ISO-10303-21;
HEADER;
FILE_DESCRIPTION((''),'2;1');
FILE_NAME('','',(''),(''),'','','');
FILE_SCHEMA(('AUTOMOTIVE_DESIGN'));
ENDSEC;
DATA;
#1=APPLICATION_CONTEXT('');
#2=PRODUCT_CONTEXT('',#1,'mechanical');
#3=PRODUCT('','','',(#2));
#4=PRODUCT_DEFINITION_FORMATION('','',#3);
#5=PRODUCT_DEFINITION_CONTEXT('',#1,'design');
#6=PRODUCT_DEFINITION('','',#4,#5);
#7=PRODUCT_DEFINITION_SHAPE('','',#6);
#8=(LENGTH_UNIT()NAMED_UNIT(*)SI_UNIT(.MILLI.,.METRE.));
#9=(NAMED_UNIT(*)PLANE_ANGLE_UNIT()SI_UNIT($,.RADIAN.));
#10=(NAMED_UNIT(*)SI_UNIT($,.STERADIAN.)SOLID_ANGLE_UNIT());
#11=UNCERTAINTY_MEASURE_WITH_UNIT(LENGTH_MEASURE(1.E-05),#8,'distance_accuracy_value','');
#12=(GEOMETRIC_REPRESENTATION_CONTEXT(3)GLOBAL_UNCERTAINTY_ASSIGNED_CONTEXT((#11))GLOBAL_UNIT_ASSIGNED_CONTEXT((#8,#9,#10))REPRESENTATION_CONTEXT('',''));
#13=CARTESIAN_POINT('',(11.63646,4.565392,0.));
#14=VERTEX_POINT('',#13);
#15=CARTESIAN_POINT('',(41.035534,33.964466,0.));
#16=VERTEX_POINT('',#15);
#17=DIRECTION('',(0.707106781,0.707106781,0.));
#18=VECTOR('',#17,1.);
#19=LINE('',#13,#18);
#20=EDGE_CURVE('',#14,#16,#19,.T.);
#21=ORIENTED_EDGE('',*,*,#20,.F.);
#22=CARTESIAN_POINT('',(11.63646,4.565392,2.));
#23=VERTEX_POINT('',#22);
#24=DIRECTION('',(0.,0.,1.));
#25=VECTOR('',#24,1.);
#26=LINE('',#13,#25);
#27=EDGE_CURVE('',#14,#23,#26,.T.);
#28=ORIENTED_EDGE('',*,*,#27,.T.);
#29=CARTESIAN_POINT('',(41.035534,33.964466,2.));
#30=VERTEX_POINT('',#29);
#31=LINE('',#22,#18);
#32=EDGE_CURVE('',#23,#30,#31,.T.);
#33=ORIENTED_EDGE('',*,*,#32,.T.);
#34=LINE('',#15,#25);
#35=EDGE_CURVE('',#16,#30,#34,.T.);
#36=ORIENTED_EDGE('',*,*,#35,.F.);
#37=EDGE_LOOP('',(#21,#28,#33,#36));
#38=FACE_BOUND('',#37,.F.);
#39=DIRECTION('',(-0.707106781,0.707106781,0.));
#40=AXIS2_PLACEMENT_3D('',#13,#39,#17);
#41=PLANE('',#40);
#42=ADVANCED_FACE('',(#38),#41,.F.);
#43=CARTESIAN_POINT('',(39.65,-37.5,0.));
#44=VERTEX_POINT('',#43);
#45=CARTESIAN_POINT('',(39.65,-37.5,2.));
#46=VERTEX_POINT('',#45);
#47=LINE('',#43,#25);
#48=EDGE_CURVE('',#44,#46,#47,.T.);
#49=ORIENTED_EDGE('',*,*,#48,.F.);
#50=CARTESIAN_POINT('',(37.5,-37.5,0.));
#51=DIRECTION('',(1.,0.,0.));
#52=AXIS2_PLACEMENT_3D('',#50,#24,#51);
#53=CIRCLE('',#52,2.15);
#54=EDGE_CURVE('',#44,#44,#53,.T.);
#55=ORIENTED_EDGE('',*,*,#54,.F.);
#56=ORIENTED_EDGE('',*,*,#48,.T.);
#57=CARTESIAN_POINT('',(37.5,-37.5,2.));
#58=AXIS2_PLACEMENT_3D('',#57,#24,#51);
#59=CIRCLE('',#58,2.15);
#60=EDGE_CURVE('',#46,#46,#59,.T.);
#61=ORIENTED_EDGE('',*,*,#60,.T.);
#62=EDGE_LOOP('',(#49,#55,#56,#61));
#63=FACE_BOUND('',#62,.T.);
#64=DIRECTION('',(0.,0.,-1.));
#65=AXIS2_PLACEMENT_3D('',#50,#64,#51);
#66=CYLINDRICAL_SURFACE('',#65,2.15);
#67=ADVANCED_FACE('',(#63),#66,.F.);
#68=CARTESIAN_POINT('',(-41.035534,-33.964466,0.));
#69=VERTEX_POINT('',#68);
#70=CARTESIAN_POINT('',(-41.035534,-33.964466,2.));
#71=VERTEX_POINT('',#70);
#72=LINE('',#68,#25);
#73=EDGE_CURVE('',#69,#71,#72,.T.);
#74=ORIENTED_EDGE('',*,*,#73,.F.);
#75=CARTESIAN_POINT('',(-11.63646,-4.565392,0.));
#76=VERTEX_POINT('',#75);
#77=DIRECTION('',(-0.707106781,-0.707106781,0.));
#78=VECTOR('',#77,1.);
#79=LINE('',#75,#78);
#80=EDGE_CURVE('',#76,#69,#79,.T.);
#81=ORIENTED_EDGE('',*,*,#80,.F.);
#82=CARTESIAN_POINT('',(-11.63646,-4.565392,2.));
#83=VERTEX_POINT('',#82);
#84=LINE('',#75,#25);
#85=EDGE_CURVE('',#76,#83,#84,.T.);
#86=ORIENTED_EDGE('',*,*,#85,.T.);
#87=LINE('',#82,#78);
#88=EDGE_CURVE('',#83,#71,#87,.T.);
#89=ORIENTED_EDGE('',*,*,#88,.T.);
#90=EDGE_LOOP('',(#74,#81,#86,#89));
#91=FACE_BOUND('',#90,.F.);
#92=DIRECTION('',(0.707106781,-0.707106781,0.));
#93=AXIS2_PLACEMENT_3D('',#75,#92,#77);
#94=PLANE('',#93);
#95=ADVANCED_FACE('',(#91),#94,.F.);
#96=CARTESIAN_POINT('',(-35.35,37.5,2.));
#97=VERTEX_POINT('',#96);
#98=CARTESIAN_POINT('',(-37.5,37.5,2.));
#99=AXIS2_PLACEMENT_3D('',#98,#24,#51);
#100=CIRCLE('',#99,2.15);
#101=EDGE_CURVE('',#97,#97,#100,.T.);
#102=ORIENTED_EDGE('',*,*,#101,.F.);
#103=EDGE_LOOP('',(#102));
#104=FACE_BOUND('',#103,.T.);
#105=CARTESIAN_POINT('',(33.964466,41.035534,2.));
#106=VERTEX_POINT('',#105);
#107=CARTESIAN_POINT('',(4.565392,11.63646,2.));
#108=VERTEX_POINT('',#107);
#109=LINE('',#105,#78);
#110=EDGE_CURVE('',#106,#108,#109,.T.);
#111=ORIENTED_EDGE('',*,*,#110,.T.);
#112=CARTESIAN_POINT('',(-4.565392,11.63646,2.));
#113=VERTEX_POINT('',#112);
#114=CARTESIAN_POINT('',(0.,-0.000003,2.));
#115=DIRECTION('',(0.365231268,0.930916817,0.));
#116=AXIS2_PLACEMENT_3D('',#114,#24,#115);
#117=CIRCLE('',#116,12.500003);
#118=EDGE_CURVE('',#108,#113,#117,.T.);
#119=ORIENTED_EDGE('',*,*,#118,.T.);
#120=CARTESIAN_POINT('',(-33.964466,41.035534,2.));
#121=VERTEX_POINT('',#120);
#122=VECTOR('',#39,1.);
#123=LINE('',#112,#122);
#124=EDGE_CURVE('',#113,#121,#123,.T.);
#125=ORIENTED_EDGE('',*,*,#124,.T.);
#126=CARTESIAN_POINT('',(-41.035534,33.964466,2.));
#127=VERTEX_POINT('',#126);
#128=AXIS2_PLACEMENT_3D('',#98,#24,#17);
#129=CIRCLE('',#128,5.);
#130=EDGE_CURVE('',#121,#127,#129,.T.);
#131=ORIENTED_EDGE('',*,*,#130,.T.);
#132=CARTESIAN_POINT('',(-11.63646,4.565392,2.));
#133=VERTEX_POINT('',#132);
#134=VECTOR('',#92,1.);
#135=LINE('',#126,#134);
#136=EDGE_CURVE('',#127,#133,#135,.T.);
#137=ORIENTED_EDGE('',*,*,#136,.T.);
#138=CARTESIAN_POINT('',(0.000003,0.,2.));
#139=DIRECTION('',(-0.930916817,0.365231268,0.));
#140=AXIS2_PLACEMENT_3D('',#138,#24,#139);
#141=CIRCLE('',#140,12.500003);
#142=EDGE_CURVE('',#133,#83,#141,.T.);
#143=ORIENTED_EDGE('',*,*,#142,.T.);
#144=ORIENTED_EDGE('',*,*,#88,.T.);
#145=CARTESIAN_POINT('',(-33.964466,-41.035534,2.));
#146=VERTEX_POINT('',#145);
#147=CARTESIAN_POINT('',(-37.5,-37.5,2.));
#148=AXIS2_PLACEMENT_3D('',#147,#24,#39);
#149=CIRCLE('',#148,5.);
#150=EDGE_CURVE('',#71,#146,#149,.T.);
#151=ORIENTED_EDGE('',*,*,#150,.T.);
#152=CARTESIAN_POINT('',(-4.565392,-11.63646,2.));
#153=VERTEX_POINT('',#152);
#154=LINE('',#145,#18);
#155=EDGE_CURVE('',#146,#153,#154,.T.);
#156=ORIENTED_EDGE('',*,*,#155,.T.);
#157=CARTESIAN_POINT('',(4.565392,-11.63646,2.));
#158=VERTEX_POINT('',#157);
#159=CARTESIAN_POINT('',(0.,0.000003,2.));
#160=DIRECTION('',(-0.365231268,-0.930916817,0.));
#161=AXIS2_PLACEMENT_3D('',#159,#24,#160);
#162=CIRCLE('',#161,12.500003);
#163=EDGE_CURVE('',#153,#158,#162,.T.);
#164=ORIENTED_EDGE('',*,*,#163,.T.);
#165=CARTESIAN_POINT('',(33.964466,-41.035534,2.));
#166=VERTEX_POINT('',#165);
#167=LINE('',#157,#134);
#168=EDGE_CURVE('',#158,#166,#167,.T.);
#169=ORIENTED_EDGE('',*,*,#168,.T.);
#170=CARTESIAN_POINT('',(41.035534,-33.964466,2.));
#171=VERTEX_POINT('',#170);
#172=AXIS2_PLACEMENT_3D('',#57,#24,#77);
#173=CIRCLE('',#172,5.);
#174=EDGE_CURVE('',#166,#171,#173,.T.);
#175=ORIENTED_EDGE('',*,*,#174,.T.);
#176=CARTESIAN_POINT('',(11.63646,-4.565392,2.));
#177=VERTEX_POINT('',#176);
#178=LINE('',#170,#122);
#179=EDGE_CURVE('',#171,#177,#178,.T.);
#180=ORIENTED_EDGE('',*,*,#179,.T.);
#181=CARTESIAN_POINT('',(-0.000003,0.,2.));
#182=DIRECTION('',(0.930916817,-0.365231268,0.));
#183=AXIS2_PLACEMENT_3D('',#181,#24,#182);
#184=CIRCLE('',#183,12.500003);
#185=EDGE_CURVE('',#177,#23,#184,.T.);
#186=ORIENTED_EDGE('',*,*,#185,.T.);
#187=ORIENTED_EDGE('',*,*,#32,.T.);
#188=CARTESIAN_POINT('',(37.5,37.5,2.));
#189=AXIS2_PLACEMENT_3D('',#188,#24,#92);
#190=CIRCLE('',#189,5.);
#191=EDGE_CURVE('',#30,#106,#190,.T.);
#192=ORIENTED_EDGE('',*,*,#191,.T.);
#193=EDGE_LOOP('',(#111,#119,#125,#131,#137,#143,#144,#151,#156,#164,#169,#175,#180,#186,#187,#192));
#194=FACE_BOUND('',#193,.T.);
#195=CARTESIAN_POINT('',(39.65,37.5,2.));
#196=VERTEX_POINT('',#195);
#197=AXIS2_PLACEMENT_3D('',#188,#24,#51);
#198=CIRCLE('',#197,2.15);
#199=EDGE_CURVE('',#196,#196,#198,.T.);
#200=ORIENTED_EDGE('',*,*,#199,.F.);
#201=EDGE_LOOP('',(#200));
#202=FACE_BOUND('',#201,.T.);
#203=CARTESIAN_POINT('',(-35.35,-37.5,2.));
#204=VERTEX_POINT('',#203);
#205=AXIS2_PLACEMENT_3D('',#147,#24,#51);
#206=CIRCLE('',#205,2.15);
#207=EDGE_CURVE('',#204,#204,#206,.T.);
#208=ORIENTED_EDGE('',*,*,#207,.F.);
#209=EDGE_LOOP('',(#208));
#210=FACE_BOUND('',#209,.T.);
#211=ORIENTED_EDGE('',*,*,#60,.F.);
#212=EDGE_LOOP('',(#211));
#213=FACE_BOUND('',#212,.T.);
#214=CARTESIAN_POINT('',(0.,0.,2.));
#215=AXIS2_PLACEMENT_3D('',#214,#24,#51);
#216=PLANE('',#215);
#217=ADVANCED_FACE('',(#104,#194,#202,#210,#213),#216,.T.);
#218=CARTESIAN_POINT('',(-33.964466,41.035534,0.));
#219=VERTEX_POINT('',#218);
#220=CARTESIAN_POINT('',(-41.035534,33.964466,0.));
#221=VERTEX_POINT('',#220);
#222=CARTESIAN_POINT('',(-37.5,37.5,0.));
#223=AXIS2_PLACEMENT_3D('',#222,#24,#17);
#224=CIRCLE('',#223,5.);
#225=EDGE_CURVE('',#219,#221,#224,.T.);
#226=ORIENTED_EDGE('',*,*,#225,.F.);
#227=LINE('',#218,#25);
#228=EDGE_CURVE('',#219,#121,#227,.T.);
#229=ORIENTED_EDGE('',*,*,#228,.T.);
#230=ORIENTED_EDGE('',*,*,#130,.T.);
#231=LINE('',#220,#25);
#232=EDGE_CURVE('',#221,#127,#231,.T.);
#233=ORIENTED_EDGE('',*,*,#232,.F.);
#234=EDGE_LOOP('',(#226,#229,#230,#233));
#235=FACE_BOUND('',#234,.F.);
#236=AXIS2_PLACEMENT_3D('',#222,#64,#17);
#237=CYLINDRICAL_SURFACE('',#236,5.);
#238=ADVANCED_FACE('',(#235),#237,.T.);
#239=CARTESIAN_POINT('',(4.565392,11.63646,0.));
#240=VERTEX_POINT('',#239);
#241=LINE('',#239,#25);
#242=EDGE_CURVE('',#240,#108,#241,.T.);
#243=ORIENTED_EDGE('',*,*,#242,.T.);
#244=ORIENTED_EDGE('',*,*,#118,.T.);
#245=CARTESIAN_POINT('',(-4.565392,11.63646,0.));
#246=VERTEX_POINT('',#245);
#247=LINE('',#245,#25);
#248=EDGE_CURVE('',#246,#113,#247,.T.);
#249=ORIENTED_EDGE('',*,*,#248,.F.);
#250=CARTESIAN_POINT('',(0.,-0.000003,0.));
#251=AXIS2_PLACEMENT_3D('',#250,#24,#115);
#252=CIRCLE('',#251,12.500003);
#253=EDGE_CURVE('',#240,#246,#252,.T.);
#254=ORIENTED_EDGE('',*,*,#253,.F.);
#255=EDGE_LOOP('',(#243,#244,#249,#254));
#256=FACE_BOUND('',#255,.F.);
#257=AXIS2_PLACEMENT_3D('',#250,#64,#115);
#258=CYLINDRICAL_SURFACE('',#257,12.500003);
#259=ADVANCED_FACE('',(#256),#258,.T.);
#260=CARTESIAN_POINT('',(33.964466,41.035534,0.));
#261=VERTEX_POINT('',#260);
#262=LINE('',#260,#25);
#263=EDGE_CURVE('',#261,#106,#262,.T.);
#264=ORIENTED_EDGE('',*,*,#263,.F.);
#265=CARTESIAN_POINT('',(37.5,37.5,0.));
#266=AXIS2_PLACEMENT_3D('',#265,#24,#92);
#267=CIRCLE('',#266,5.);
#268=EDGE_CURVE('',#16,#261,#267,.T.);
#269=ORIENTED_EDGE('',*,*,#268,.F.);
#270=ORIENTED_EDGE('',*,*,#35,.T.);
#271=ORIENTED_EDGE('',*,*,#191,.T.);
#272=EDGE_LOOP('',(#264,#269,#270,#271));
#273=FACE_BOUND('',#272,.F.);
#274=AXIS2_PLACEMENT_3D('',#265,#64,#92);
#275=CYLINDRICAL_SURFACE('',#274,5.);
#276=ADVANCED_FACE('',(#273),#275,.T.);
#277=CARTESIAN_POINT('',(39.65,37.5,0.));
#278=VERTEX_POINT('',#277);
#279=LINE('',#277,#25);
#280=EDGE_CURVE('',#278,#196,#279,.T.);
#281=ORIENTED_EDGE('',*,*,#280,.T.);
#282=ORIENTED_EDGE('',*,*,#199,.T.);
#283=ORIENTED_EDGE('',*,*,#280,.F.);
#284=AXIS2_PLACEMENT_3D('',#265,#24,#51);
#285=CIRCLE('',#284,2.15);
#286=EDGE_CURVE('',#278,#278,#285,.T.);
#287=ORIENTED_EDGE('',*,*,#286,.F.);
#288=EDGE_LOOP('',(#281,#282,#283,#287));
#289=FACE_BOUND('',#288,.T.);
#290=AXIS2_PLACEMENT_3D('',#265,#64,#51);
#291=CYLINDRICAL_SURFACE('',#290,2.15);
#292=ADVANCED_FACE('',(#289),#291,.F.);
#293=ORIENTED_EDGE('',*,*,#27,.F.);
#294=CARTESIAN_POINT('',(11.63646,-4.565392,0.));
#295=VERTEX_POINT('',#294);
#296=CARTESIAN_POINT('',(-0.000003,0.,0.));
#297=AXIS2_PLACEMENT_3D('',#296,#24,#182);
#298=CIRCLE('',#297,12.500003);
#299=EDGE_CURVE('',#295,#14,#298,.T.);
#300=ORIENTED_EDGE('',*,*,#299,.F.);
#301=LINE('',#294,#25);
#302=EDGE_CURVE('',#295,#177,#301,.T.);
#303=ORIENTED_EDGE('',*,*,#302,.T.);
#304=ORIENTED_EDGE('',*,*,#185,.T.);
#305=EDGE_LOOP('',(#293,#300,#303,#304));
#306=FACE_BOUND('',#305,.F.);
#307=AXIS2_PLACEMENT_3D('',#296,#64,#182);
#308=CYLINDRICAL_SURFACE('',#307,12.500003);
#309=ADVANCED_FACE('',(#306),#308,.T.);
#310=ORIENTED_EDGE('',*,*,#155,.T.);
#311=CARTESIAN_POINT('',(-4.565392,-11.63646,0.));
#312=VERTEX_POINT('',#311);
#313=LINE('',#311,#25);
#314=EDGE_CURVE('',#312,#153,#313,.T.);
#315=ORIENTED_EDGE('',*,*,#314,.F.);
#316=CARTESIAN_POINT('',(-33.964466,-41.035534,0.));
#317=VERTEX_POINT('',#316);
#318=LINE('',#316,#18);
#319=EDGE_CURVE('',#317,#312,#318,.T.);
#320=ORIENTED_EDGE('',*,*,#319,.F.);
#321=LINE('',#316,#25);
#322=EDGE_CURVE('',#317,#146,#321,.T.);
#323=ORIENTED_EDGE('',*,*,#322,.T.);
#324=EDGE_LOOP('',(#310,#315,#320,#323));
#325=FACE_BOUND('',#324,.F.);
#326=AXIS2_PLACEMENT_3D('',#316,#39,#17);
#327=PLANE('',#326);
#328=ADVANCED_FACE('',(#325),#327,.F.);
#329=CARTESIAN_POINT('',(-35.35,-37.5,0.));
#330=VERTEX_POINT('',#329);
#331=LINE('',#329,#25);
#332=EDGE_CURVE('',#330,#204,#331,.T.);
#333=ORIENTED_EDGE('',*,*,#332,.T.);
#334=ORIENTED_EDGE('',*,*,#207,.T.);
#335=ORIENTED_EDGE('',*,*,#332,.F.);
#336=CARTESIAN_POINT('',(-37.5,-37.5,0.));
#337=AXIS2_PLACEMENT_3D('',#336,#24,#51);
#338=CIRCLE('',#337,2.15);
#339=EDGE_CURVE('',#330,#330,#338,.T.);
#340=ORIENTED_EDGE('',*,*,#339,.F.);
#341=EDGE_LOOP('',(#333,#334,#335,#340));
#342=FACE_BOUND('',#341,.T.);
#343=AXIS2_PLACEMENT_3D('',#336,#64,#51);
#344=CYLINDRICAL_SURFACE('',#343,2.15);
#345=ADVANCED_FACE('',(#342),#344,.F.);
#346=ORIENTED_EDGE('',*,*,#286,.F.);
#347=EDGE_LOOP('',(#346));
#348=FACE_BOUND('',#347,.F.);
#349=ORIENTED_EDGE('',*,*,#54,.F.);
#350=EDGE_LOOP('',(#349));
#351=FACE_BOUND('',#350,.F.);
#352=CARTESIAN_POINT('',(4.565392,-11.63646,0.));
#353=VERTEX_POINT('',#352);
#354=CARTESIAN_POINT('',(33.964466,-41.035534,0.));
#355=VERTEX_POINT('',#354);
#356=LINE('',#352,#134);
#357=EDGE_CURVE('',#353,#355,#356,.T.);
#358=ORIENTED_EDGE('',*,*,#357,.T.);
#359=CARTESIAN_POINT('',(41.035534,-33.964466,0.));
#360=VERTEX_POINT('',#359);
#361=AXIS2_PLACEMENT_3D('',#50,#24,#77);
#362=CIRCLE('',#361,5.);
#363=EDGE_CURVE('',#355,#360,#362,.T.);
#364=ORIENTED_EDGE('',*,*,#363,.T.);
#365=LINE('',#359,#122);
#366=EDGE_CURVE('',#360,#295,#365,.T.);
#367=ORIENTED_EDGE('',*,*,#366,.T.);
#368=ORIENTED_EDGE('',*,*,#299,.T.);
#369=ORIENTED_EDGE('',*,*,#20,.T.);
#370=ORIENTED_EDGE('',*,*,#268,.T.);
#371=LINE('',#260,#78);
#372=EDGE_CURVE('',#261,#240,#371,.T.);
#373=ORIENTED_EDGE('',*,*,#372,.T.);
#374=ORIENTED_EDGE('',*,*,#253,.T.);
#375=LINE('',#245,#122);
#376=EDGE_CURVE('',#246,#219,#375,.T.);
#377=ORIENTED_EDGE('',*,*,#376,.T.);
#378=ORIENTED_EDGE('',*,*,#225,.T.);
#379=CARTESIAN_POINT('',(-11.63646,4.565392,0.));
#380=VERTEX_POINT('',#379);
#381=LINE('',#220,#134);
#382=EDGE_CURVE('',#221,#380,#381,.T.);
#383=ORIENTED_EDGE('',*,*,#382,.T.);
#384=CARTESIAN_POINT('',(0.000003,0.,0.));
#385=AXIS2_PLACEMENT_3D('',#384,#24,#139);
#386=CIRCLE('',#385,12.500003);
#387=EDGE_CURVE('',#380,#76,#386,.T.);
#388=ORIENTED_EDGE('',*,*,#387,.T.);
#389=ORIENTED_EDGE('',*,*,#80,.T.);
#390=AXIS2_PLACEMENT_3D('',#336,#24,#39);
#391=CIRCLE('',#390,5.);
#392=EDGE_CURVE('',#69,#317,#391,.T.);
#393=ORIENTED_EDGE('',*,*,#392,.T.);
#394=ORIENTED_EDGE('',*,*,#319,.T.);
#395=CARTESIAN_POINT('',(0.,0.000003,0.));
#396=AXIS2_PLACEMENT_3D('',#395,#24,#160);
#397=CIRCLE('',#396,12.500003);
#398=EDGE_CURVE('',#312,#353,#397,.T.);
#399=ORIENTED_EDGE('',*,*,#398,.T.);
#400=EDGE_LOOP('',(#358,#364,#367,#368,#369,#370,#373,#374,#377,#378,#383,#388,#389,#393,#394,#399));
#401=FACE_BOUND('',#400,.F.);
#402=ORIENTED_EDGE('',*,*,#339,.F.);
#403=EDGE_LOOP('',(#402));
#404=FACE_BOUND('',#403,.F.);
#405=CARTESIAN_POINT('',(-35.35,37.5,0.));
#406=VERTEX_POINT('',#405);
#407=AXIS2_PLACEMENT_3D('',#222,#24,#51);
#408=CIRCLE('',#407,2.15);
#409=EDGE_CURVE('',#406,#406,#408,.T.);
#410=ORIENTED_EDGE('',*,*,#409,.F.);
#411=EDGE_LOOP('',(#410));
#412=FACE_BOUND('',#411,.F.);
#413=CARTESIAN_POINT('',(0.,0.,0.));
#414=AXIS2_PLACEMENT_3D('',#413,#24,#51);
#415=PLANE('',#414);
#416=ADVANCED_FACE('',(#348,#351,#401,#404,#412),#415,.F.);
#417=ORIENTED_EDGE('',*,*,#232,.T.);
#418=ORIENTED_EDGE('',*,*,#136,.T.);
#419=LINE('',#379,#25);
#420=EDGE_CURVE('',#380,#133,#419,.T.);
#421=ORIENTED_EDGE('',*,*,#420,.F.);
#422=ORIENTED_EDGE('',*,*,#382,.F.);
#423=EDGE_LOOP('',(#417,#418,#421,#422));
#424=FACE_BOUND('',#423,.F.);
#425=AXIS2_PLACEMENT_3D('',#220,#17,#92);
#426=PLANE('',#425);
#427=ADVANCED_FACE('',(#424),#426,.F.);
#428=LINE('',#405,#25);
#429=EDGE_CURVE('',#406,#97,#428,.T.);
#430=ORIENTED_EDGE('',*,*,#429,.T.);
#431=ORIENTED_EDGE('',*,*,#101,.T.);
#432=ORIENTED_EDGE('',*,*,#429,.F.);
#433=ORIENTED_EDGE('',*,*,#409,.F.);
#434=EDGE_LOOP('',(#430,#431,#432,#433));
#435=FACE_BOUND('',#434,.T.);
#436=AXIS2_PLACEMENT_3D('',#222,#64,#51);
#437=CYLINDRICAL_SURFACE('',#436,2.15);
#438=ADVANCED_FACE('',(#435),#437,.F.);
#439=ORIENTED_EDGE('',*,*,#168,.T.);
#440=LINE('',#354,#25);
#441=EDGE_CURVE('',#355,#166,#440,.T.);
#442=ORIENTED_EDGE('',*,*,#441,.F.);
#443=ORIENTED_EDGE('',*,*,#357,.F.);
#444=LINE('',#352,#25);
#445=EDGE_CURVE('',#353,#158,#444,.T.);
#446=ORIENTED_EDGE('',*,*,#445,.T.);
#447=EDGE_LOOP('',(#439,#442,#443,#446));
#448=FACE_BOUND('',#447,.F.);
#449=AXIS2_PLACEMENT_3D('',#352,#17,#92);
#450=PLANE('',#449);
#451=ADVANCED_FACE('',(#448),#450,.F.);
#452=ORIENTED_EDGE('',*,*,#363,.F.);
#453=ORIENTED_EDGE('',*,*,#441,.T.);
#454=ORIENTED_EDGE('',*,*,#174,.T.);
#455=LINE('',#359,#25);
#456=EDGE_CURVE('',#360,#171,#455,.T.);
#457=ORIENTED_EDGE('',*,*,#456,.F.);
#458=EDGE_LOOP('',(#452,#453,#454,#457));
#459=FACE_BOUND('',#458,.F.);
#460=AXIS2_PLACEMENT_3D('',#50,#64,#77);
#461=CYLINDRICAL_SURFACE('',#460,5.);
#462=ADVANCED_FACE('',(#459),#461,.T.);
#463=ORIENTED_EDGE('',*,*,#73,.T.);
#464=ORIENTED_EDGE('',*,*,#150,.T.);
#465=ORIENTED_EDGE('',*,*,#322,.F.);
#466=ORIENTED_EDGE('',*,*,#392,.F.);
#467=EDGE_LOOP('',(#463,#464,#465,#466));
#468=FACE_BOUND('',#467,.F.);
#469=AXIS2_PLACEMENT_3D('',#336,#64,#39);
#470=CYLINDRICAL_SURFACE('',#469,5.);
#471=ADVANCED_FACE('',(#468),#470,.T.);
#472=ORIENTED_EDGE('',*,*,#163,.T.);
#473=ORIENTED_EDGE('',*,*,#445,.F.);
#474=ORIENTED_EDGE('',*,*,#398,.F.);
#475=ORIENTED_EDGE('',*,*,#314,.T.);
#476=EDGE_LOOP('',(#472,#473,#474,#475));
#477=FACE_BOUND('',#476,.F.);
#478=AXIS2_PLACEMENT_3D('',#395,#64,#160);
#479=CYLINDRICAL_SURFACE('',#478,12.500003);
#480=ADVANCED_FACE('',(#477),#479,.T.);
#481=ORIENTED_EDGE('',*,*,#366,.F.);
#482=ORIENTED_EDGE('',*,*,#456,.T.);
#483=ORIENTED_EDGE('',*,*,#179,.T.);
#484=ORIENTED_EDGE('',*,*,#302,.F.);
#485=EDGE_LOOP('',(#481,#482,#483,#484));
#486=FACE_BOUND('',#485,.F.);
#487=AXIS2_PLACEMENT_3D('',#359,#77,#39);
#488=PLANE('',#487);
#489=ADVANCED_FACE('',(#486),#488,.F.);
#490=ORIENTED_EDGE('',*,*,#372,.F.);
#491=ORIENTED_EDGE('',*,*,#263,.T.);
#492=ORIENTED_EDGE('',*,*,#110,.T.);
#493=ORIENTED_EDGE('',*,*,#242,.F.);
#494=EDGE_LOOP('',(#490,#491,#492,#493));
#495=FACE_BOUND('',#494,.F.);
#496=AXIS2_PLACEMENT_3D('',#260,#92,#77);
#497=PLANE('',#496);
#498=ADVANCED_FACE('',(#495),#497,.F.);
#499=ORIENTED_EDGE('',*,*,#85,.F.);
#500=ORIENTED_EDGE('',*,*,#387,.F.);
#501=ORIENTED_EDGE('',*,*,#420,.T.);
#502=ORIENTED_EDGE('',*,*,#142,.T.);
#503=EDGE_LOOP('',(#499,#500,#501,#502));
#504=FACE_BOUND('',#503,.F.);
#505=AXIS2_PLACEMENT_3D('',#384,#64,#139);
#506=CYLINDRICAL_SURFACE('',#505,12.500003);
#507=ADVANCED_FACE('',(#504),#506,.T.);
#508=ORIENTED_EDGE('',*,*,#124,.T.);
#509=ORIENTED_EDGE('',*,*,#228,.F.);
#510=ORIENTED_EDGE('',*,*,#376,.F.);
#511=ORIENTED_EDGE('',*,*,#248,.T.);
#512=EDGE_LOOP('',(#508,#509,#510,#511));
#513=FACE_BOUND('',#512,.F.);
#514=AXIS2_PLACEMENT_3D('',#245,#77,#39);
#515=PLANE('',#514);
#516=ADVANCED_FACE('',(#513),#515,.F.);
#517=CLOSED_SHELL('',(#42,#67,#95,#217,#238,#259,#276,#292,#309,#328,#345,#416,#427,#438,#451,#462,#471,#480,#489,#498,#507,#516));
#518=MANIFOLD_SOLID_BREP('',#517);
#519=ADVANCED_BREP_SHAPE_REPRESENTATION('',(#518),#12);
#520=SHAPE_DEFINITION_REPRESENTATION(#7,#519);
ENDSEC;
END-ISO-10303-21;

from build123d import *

# Parameters (mm, degrees)
F0_R     = 2.15
F1_DEPTH = 2


with BuildPart() as f1:
    # F0 (on Top) → F1 (new body)
    with BuildSketch(Plane.XY):
        with BuildLine():
            Line((-4.565392, 11.63646), (-33.964466, 41.035534))
            ThreePointArc((-33.964466, 41.035534), (-41.035534, 41.035534), (-41.035534, 33.964466))
            Line((-41.035534, 33.964466), (-11.63646, 4.565392))
            ThreePointArc((-11.63646, 4.565392), (-12.5, 0), (-11.63646, -4.565392))
            Line((-11.63646, -4.565392), (-41.035534, -33.964466))
            ThreePointArc((-41.035534, -33.964466), (-41.035534, -41.035534), (-33.964466, -41.035534))
            Line((-33.964466, -41.035534), (-4.565392, -11.63646))
            ThreePointArc((-4.565392, -11.63646), (0, -12.5), (4.565392, -11.63646))
            Line((4.565392, -11.63646), (33.964466, -41.035534))
            ThreePointArc((33.964466, -41.035534), (41.035534, -41.035534), (41.035534, -33.964466))
            Line((41.035534, -33.964466), (11.63646, -4.565392))
            ThreePointArc((11.63646, -4.565392), (12.5, 0), (11.63646, 4.565392))
            Line((11.63646, 4.565392), (41.035534, 33.964466))
            ThreePointArc((41.035534, 33.964466), (41.035534, 41.035534), (33.964466, 41.035534))
            Line((33.964466, 41.035534), (4.565392, 11.63646))
            ThreePointArc((4.565392, 11.63646), (0, 12.5), (-4.565392, 11.63646))
        make_face()
        with Locations((-37.5, -37.5)):
            Circle(F0_R, mode=Mode.SUBTRACT)
        with Locations((37.5, -37.5)):
            Circle(F0_R, mode=Mode.SUBTRACT)
        with Locations((-37.5, 37.5)):
            Circle(F0_R, mode=Mode.SUBTRACT)
        with Locations((37.5, 37.5)):
            Circle(F0_R, mode=Mode.SUBTRACT)
    extrude(amount=F1_DEPTH)


solid = f1.part
